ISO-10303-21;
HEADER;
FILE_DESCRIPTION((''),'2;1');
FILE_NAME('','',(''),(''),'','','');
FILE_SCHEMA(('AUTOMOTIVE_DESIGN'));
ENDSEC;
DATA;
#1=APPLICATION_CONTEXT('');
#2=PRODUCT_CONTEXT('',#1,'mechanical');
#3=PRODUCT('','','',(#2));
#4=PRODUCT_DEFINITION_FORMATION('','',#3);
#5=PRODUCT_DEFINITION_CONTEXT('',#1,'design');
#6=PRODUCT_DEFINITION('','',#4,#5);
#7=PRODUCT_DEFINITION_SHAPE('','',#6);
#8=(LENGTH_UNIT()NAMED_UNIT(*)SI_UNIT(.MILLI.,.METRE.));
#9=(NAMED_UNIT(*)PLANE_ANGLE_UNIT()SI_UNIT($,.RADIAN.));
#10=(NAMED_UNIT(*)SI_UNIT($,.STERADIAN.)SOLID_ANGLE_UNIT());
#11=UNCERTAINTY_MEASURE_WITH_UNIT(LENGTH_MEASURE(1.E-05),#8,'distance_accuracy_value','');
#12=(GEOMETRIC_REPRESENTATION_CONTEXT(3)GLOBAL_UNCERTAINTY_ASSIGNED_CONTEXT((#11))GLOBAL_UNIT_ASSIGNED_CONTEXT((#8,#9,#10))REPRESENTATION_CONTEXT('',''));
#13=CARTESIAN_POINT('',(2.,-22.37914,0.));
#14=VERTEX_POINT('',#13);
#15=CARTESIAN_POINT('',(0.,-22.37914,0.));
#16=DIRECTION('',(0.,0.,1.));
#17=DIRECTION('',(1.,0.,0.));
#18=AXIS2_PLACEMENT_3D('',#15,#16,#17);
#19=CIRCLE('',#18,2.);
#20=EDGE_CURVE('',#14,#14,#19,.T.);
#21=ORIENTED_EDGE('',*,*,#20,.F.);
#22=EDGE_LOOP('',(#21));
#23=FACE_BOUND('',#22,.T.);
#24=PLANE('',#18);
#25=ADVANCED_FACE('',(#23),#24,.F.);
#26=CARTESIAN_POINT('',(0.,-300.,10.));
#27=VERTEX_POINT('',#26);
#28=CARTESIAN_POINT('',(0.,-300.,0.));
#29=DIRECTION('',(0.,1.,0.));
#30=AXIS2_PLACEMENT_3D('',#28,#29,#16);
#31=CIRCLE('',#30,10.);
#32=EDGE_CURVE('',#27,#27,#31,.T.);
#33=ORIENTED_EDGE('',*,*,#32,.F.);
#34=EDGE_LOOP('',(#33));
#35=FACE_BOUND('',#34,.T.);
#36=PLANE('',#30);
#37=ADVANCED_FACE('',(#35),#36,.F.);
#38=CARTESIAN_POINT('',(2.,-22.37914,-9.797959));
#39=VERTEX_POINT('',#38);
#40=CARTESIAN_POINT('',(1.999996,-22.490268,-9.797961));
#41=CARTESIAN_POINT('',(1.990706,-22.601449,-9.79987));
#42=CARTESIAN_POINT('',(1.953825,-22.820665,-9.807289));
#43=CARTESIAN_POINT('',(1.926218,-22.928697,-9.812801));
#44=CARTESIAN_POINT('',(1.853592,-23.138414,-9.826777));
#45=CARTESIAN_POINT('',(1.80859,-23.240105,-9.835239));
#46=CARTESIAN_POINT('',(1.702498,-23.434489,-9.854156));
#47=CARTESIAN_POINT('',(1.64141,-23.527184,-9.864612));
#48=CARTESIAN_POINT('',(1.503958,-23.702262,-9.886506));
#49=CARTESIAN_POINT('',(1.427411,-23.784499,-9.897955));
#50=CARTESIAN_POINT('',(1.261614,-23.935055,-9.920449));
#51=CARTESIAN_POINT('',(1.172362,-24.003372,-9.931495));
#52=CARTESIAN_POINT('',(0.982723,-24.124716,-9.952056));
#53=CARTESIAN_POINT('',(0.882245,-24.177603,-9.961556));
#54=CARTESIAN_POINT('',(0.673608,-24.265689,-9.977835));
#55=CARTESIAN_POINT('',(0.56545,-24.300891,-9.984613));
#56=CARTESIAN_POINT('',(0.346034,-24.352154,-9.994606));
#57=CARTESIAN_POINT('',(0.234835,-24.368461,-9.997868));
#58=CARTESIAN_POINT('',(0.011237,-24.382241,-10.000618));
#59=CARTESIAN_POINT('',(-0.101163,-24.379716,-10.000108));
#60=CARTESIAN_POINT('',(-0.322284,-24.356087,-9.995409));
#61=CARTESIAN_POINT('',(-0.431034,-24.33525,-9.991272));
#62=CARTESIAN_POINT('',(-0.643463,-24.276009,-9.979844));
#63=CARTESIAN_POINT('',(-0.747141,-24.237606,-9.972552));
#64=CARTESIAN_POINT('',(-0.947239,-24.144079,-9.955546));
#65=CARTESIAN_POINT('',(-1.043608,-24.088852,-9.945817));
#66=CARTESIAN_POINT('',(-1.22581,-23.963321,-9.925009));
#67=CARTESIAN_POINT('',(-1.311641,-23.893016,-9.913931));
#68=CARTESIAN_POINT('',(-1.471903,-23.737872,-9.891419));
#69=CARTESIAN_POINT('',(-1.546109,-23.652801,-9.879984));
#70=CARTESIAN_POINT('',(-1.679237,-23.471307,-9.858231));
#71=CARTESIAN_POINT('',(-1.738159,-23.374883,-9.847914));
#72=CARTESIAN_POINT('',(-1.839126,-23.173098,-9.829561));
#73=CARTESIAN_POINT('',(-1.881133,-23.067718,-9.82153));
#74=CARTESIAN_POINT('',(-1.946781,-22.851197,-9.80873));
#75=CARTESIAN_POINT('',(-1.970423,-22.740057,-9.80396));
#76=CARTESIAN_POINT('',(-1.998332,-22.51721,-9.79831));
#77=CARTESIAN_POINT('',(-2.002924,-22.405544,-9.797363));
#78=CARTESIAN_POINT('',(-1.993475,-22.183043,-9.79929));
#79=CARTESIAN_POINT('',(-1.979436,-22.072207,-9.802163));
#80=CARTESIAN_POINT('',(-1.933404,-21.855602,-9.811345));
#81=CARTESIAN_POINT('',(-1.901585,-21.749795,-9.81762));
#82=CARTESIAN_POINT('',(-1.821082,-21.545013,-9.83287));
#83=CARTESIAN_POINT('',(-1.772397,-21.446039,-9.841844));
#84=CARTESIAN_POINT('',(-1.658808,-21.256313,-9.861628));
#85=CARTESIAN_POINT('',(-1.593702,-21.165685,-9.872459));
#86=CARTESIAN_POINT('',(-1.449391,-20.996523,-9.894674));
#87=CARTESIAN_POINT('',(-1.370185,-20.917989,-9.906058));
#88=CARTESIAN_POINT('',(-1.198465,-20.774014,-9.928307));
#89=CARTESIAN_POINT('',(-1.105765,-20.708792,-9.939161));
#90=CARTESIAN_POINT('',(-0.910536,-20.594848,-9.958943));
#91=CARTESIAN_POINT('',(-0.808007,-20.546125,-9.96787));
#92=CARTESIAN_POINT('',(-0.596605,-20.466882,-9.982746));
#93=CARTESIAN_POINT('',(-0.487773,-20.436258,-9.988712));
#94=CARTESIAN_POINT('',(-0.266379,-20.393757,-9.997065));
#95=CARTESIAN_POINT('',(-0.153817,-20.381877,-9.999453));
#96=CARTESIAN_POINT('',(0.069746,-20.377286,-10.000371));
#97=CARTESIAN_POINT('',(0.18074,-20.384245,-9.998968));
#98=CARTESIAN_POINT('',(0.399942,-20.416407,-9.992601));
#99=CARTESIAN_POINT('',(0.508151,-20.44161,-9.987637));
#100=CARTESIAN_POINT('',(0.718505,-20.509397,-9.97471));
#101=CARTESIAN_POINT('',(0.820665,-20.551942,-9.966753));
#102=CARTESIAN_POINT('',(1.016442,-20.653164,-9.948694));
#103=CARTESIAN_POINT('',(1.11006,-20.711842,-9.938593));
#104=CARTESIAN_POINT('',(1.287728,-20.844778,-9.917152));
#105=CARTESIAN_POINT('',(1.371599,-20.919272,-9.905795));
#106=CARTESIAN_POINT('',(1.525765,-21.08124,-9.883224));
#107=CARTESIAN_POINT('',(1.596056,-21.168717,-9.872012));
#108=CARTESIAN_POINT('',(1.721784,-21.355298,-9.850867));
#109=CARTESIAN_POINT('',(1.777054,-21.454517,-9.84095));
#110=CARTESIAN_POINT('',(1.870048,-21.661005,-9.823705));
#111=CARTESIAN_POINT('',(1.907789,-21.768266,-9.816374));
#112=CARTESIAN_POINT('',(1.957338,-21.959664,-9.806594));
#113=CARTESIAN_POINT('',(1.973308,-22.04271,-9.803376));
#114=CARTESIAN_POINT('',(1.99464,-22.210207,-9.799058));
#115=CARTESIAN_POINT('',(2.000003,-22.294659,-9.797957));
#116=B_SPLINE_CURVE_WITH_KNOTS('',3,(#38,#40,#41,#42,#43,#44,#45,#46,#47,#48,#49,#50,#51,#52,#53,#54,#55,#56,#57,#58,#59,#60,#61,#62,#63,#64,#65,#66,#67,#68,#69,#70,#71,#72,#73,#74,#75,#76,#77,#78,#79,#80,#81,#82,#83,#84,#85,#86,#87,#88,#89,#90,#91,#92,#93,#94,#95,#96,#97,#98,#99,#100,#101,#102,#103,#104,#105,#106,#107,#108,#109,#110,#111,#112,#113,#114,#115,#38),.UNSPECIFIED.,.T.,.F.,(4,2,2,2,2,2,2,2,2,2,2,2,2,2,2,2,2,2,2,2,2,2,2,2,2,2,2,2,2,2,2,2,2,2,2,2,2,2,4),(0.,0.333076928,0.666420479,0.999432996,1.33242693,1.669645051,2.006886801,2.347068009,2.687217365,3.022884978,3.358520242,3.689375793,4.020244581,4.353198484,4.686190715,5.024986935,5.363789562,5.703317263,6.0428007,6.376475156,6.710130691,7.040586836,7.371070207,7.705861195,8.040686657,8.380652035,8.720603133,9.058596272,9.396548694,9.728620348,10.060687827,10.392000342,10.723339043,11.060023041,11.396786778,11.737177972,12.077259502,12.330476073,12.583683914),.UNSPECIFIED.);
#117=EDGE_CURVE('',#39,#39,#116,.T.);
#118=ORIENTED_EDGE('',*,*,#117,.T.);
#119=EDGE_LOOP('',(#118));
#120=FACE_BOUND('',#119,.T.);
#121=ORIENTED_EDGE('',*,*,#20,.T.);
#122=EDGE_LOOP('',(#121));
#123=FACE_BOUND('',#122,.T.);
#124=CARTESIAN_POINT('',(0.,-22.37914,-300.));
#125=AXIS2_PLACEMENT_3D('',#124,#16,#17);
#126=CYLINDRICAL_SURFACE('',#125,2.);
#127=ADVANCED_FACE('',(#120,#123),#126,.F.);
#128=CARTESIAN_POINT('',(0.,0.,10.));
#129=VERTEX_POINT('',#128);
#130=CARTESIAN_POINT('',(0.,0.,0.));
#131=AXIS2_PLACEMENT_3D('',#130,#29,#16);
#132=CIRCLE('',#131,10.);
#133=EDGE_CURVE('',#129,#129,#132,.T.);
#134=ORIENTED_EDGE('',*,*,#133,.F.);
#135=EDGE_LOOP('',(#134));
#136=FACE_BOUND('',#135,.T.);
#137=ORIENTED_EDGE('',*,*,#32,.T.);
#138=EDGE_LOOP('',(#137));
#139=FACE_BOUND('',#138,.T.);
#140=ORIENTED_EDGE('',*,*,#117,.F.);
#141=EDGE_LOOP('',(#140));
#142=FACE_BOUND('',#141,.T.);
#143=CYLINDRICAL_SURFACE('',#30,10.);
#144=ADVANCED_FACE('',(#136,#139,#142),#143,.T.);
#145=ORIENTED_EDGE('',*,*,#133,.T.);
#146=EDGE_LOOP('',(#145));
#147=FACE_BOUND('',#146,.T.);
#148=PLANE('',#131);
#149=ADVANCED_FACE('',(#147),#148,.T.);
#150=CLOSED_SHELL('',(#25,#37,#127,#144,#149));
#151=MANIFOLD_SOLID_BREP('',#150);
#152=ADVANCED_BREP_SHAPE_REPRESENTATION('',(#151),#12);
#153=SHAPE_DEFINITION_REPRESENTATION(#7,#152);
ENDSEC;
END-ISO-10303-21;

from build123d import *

# Parameters (mm, degrees)
SKETCH1_R           = 10
BOSS_EXTRUDE1_DEPTH = 300
SKETCH2_R           = 2
CUT_EXTRUDE1_DEPTH  = 300


with BuildPart() as part:
    # Sketch1 → Boss-Extrude1 (new body)
    with BuildSketch(Plane(origin=(0, 0, 0), x_dir=(1, 0, 0), z_dir=(0, 1, 0))):
        with Locations(Location((0, 0, 0), (0, 0, 270))):
            Circle(SKETCH1_R)
    extrude(amount=-BOSS_EXTRUDE1_DEPTH)

    # Sketch2 → Cut-Extrude1 (cut)
    with BuildSketch(Plane.XY):
        with Locations((0, -22.379139511)):
            Circle(SKETCH2_R)
    extrude(amount=-CUT_EXTRUDE1_DEPTH, mode=Mode.SUBTRACT)


solid = part.part
